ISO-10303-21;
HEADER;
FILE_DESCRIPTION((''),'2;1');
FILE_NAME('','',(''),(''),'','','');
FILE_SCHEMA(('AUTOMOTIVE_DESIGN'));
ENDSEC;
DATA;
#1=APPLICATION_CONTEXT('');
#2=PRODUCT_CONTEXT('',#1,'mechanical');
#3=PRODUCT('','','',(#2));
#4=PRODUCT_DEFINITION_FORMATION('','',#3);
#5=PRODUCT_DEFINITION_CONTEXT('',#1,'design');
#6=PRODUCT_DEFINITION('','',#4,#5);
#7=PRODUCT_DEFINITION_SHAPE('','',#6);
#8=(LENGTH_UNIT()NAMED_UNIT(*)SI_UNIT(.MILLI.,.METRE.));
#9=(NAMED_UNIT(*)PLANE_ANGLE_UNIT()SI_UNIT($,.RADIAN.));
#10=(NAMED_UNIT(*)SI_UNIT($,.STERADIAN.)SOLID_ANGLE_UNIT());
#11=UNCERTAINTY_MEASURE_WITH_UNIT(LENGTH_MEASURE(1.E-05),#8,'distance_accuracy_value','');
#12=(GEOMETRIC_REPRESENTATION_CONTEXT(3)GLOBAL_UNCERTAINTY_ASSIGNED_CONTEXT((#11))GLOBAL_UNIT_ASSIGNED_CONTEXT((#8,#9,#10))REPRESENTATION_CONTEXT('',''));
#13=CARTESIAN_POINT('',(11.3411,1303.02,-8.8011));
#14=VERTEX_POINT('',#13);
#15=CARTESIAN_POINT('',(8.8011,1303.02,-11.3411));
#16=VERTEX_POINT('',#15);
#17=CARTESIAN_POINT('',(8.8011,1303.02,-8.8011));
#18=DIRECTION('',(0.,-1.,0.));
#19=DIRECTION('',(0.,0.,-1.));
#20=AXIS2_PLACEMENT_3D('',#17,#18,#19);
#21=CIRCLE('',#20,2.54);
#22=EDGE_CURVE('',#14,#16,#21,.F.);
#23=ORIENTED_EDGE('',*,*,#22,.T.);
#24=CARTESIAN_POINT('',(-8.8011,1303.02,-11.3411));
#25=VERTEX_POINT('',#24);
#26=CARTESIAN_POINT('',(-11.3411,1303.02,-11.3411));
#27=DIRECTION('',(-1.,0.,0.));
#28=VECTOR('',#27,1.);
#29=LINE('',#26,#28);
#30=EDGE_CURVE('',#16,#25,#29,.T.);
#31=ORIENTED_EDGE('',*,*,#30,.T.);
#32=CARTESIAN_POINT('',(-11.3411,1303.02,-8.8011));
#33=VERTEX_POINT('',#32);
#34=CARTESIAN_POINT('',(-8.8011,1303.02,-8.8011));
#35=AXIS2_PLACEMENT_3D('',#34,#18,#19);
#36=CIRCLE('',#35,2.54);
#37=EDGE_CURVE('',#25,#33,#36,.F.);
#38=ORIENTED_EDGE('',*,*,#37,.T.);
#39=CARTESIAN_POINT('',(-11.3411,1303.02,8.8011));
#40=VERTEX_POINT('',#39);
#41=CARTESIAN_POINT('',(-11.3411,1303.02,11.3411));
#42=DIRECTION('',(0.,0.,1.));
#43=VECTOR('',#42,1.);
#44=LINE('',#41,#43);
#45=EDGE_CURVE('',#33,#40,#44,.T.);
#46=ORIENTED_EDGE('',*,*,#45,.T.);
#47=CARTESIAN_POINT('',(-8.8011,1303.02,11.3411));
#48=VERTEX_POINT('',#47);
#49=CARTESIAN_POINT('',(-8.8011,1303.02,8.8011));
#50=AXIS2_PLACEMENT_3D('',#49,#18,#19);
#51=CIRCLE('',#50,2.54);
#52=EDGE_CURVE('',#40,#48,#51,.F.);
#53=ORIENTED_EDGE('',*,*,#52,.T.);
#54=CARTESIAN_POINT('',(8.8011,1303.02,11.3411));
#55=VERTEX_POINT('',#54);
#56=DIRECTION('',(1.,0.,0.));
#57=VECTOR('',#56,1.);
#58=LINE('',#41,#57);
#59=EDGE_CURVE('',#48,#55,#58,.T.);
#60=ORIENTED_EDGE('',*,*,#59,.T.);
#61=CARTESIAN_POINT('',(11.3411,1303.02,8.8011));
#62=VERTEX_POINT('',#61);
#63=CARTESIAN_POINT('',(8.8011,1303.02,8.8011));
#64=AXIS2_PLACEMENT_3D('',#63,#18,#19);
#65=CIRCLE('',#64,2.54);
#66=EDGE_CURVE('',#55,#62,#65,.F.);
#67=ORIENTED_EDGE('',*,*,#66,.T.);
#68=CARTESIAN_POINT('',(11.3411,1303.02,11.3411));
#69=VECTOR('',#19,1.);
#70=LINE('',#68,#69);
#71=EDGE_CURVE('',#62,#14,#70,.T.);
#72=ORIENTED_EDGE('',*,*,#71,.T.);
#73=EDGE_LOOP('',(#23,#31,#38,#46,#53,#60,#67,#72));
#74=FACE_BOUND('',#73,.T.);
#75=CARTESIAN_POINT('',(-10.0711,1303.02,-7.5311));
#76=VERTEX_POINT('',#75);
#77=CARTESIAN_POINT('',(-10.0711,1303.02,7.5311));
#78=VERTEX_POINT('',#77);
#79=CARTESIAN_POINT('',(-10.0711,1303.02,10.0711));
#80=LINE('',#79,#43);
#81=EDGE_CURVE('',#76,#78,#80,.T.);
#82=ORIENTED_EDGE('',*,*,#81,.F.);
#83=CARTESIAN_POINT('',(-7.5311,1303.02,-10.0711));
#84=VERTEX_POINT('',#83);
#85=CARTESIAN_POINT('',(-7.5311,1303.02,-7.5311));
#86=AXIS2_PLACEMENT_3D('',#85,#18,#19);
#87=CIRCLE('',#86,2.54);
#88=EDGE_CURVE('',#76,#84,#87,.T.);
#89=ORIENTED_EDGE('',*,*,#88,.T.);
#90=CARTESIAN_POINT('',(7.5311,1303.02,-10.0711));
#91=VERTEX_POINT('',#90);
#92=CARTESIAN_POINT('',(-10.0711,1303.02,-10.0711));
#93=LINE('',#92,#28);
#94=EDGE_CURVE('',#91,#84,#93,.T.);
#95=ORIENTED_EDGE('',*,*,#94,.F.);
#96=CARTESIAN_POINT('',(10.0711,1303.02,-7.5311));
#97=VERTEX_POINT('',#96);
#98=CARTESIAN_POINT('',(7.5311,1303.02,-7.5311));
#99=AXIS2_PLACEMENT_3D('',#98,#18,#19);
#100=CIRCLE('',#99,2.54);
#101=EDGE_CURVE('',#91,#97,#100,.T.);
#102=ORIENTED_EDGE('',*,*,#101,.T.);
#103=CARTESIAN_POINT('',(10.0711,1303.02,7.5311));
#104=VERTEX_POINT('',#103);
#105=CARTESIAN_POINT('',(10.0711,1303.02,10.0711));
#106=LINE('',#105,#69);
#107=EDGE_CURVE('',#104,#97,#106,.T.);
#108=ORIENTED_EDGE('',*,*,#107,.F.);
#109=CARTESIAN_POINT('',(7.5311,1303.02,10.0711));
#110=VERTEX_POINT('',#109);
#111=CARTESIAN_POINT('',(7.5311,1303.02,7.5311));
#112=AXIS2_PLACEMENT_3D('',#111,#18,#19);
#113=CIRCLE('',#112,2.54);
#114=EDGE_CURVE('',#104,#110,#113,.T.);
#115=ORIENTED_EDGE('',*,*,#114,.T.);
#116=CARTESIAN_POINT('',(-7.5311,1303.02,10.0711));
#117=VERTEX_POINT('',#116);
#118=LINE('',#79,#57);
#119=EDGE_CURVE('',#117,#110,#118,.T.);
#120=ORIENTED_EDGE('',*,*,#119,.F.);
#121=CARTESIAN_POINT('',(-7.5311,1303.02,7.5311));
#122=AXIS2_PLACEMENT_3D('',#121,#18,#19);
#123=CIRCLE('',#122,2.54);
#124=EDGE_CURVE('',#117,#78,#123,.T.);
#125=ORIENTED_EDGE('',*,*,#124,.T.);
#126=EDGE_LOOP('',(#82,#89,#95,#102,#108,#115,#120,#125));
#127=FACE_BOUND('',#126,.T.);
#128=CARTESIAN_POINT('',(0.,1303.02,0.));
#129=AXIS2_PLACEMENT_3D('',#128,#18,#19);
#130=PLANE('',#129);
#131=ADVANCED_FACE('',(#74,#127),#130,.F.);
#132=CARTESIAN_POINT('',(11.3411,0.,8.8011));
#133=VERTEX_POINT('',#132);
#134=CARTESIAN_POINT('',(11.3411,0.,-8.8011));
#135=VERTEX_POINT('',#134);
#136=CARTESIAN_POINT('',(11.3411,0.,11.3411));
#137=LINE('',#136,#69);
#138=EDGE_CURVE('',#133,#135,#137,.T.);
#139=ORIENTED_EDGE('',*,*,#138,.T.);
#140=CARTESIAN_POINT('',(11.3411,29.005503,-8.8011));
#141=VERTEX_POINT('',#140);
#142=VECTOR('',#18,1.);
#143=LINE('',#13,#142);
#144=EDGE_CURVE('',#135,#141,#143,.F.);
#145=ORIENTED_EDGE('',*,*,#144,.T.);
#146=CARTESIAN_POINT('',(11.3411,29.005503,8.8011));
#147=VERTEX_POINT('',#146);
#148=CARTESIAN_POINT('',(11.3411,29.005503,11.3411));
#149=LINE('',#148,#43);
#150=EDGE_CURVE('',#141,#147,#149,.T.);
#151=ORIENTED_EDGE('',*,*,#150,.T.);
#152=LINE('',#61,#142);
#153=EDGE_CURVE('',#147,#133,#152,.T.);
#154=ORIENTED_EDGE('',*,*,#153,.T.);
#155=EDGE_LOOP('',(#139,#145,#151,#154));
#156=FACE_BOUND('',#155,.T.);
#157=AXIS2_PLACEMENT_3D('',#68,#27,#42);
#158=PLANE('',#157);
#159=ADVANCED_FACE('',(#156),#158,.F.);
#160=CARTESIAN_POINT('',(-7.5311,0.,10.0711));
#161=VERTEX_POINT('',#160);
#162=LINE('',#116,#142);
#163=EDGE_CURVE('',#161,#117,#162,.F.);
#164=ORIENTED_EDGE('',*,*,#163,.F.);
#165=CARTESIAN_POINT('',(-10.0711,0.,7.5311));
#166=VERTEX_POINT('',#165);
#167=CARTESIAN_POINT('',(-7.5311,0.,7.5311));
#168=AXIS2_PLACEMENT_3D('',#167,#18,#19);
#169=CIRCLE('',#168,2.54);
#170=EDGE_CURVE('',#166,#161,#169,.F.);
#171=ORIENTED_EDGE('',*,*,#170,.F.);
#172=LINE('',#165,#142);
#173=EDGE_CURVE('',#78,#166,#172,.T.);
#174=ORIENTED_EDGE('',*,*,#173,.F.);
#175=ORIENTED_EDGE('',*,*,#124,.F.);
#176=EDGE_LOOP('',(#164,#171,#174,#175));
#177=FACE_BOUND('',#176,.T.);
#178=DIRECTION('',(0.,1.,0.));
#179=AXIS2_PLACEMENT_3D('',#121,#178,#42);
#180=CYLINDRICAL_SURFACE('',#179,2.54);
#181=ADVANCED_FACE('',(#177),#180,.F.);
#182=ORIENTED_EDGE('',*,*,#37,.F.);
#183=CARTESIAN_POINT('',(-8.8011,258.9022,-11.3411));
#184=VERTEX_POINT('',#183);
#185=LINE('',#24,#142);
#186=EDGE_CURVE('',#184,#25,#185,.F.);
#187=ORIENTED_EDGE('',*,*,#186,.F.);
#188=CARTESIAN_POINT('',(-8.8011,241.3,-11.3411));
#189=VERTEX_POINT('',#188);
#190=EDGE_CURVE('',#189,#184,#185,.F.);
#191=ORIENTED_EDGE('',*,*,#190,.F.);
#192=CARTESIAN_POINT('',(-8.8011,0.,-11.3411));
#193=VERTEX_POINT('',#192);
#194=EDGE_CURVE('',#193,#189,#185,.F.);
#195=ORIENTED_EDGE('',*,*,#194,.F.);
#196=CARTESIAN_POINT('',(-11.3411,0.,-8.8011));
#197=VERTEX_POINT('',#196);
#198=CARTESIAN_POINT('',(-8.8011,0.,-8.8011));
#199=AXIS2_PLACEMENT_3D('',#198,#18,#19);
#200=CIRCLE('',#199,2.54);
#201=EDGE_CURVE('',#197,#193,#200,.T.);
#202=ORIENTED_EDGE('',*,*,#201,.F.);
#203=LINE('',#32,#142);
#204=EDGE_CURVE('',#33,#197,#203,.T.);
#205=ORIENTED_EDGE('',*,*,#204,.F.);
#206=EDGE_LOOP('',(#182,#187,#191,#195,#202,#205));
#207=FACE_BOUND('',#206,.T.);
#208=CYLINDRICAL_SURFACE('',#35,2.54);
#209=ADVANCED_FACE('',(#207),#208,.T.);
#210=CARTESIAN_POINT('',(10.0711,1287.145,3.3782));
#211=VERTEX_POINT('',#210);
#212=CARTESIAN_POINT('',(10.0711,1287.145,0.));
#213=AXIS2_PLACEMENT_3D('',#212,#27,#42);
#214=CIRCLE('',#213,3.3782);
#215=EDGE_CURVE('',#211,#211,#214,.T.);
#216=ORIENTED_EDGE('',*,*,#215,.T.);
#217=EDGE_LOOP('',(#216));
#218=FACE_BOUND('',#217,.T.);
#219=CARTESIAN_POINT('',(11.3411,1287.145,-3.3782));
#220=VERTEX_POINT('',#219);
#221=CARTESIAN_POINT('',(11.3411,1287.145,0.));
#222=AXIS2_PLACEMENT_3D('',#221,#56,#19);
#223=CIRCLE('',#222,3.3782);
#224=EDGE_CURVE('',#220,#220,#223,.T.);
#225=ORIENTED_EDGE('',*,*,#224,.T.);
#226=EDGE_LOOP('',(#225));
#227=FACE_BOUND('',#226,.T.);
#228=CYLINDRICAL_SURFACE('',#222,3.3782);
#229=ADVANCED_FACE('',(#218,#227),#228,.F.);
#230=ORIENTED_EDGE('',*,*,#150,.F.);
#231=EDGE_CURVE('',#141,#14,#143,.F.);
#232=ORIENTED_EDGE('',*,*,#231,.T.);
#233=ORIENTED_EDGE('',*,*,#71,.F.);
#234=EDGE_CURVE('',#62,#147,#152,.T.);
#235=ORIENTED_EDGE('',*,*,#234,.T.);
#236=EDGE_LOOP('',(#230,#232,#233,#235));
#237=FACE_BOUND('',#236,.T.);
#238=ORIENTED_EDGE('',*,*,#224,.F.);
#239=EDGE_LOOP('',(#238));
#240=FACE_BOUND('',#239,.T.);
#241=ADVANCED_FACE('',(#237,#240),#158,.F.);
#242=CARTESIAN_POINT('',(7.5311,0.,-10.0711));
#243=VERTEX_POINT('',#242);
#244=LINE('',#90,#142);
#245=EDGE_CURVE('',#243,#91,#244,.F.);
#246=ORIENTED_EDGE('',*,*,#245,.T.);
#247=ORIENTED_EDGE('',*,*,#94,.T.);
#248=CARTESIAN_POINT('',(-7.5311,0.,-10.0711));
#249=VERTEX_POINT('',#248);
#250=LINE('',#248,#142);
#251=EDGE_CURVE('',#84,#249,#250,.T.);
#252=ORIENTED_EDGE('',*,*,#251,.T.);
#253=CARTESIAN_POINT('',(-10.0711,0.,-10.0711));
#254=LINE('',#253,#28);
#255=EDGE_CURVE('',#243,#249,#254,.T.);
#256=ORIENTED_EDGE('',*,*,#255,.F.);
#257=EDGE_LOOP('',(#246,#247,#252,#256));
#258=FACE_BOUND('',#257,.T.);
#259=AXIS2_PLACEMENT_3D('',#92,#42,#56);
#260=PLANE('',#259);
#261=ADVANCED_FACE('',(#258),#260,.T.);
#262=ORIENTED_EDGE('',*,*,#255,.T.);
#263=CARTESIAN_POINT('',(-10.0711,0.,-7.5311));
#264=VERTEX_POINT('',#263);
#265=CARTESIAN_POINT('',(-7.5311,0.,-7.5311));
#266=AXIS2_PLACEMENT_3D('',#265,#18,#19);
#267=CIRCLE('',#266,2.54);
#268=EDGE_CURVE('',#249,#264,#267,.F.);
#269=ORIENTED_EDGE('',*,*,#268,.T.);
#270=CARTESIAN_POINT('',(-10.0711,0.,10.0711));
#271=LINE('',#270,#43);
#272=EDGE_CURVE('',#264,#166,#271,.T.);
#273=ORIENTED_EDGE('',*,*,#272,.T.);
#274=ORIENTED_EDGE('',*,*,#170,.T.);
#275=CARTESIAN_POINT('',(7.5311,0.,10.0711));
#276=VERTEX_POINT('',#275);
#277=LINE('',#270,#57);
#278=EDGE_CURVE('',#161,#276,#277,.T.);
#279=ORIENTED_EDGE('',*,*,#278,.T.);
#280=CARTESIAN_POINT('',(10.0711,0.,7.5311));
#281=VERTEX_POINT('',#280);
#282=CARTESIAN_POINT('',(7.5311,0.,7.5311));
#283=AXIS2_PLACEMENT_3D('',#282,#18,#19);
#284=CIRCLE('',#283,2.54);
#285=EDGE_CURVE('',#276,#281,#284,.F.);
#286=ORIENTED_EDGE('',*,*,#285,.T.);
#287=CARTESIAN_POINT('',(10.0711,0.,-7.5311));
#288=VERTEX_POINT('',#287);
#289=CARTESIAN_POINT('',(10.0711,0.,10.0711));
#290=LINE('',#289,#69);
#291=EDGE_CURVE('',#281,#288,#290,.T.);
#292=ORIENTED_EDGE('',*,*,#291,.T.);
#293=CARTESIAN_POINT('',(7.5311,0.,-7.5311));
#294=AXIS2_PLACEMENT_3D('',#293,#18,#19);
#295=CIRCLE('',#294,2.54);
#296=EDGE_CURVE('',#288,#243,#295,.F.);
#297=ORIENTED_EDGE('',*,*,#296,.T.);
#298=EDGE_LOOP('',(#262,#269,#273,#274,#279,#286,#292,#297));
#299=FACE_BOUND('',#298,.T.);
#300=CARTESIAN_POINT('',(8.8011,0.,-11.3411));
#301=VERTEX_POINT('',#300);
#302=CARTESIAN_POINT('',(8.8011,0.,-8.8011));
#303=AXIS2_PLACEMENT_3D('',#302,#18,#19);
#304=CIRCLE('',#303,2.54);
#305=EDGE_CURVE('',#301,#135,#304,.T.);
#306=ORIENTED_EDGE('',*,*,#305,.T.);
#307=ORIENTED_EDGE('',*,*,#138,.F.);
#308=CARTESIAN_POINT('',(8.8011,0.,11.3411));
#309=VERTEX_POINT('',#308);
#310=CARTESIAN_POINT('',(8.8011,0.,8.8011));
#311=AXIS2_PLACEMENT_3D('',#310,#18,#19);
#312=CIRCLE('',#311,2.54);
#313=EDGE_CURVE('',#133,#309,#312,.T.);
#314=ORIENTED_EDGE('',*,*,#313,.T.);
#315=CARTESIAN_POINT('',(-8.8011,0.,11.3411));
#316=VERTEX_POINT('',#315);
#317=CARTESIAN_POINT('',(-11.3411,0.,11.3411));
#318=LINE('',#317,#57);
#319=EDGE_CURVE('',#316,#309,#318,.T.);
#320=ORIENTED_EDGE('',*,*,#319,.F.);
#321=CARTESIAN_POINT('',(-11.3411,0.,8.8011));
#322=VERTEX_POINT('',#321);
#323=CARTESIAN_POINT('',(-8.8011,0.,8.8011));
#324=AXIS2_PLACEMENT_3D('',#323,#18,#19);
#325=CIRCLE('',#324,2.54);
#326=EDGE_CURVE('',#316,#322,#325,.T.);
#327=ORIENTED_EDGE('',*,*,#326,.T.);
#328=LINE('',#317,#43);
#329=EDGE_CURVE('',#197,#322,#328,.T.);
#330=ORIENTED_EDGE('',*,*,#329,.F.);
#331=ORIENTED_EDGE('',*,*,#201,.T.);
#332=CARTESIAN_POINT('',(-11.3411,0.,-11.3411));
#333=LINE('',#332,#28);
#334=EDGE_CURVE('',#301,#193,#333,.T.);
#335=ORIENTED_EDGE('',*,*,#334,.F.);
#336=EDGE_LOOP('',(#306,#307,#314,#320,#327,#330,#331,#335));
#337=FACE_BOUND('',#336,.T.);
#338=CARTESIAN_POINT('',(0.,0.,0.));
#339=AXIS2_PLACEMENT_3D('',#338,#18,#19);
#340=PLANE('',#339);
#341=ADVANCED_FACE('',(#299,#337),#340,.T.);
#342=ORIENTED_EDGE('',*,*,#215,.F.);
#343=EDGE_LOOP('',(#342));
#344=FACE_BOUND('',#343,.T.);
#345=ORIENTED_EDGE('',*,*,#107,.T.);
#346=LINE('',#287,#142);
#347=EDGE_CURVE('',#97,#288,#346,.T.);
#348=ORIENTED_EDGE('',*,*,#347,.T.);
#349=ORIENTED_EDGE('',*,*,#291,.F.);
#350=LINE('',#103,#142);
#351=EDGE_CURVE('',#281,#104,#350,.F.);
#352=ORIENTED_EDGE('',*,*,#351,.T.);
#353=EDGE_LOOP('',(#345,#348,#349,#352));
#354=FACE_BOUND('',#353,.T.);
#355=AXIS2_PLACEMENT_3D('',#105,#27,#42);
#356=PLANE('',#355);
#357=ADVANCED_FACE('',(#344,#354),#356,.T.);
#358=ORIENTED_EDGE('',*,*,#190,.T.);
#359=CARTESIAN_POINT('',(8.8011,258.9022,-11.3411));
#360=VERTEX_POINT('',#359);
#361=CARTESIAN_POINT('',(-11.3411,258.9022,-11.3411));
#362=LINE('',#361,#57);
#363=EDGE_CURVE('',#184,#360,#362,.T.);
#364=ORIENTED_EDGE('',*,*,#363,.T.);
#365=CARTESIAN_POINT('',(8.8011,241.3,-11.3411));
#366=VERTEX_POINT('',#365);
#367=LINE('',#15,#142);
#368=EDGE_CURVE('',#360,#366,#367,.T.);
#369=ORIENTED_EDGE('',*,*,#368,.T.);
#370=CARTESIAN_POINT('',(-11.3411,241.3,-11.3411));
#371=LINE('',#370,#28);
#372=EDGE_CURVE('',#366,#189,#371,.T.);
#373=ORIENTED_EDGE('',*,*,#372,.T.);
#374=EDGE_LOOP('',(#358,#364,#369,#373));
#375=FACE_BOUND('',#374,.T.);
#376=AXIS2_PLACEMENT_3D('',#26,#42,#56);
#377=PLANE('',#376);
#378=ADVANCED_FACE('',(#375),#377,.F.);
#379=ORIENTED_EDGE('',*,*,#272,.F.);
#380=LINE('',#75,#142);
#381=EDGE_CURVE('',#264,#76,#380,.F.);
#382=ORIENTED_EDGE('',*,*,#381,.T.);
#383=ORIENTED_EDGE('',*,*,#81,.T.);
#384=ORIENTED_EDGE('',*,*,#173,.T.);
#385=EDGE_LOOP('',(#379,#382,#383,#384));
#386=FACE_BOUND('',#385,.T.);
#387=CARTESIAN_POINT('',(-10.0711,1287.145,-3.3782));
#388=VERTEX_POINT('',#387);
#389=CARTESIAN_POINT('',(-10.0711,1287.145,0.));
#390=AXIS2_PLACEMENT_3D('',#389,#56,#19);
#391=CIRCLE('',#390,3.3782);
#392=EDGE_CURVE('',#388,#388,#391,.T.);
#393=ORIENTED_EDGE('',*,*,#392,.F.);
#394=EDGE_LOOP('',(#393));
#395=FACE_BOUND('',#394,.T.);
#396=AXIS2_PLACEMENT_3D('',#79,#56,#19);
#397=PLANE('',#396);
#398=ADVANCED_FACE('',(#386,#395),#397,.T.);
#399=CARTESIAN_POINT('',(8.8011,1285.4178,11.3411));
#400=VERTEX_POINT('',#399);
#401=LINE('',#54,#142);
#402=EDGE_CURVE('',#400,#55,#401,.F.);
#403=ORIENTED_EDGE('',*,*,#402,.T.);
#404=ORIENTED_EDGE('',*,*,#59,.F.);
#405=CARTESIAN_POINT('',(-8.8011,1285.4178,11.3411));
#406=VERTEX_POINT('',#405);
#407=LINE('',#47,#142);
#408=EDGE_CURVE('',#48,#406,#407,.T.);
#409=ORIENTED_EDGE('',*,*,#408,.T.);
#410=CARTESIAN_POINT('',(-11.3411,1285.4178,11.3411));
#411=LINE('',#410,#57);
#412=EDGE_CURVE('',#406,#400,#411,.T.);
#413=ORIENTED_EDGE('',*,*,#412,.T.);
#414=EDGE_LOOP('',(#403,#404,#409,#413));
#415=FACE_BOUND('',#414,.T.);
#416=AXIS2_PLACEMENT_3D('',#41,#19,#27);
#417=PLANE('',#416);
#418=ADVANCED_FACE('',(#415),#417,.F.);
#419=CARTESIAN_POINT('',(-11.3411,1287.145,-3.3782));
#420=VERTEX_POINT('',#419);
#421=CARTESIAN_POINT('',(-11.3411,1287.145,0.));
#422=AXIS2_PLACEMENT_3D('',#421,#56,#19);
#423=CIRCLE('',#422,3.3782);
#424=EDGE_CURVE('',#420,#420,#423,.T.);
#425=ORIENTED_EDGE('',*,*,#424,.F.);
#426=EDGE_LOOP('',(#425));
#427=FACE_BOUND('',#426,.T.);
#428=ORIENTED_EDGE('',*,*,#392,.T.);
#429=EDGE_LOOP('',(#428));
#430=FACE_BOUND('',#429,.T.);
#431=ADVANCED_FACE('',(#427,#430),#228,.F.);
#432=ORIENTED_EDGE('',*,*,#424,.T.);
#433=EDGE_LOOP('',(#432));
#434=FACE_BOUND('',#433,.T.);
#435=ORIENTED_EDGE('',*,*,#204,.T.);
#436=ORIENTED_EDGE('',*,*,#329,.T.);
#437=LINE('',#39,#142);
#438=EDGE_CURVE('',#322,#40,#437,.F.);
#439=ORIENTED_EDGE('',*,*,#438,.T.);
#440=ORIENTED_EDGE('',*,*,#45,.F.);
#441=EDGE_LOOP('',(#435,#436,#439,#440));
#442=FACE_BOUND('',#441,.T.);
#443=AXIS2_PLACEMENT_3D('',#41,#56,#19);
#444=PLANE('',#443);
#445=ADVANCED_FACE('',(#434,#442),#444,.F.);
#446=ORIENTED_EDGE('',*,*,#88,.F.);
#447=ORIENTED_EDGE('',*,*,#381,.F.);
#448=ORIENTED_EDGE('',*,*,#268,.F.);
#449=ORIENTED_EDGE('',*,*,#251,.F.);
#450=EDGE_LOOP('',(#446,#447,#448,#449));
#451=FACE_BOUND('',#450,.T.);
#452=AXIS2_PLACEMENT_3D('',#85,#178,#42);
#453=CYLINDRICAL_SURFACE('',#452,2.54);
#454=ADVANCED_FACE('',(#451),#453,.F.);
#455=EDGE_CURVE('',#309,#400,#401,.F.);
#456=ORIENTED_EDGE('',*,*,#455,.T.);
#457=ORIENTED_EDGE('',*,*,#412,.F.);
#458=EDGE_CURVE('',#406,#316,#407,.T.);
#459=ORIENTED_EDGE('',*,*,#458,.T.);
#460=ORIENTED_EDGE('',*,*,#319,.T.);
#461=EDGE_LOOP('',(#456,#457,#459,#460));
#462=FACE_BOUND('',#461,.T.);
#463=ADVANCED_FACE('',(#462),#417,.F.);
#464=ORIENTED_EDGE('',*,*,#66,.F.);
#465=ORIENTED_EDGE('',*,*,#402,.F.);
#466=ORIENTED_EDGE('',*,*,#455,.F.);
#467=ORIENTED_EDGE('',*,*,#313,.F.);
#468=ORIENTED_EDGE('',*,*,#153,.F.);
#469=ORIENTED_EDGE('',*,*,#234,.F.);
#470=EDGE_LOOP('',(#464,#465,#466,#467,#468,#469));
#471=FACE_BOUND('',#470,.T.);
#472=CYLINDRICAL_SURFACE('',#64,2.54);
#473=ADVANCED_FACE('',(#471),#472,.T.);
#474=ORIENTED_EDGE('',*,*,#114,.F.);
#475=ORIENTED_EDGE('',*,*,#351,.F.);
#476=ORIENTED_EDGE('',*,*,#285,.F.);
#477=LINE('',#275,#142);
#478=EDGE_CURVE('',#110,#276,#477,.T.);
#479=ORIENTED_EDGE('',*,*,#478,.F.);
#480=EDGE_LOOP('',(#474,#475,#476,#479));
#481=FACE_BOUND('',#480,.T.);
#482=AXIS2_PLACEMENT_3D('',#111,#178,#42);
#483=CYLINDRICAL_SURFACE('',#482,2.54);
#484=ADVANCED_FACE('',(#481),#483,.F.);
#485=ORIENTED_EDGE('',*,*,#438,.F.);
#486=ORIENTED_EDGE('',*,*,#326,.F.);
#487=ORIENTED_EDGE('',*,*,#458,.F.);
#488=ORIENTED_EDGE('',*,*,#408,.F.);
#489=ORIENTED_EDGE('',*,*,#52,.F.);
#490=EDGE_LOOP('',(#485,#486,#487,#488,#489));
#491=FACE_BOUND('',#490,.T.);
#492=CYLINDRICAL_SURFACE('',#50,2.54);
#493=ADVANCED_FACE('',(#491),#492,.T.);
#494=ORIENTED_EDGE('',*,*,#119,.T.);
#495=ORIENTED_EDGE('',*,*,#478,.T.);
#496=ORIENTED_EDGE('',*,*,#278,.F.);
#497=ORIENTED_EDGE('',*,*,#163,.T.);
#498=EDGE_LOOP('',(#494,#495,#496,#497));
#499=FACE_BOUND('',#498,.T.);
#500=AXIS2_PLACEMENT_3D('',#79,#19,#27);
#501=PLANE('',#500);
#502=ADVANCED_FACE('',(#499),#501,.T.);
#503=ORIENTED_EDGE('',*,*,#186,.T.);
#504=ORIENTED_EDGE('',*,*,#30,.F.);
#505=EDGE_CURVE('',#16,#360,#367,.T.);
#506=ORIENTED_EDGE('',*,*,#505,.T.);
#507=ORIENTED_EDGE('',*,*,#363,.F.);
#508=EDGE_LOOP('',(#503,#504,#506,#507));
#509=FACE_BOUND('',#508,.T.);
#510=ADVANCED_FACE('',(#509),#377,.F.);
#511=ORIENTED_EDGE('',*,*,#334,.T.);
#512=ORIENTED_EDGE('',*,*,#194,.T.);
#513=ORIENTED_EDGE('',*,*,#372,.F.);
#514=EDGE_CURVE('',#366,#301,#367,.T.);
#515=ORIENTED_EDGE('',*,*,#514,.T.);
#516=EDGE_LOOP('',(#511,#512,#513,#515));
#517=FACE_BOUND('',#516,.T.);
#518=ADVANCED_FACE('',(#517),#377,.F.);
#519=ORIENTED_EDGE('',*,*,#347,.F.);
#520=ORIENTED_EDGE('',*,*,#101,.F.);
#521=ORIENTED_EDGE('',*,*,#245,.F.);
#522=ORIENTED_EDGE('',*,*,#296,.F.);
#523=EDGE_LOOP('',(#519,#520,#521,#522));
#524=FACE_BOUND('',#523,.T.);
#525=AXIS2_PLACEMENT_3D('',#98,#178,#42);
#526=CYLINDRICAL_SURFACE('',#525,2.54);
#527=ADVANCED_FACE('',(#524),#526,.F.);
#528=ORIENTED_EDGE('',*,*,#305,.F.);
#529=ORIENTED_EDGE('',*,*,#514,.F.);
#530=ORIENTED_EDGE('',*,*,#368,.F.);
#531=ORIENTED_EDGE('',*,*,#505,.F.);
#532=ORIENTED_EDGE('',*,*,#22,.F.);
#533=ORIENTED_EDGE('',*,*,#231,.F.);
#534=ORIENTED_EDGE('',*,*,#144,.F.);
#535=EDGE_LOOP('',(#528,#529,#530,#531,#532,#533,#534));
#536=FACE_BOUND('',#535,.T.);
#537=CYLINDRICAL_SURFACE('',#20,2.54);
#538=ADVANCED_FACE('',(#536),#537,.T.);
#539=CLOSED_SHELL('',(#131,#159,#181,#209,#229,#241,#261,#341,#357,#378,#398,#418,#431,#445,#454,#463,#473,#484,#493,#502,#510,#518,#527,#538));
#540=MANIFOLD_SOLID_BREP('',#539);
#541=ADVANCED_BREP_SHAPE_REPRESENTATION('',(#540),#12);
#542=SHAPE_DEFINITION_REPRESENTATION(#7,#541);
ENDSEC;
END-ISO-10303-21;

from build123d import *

# Parameters (mm, degrees)
SKETCH1_W               = 22.6822
SKETCH1_H               = 22.6822
SKETCH1_W_2             = 20.1422
SKETCH1_H_2             = 20.1422
BOSS_EXTRUDE1_DEPTH     = 1303.02
FILLET1_R               = 2.54
F_1_4_CLEARANCE_HOLE1_D = 6.7564


with BuildPart() as part:
    # Sketch1 → Boss-Extrude1 (new body)
    with BuildSketch(Plane(origin=(0, 0, 0), x_dir=(1, 0, 0), z_dir=(0, 1, 0))):
        Rectangle(SKETCH1_W, SKETCH1_H)
        Rectangle(SKETCH1_W_2, SKETCH1_H_2, mode=Mode.SUBTRACT)
    extrude(amount=BOSS_EXTRUDE1_DEPTH)

    # Fillet1
    fillet1_edges = [part.edges().sort_by_distance(p)[0] for p in [
        (10.0711, 651.51, 10.0711),
        (10.0711, 651.51, -10.0711),
        (-10.0711, 651.51, -10.0711),
        (-10.0711, 651.51, 10.0711),
        (11.3411, 651.51, 11.3411),
        (-11.3411, 651.51, 11.3411),
        (-11.3411, 651.51, -11.3411),
        (11.3411, 651.51, -11.3411),
    ]]
    fillet(fillet1_edges, radius=FILLET1_R)

    # 1/4 Clearance Hole1 (through all)
    with Locations(Plane(origin=(11.3411, 0, 0), x_dir=(0, 0, -1), z_dir=(1, 0, 0))):
        with Locations((0, 1287.145)):
            Hole(F_1_4_CLEARANCE_HOLE1_D / 2)


solid = part.part
